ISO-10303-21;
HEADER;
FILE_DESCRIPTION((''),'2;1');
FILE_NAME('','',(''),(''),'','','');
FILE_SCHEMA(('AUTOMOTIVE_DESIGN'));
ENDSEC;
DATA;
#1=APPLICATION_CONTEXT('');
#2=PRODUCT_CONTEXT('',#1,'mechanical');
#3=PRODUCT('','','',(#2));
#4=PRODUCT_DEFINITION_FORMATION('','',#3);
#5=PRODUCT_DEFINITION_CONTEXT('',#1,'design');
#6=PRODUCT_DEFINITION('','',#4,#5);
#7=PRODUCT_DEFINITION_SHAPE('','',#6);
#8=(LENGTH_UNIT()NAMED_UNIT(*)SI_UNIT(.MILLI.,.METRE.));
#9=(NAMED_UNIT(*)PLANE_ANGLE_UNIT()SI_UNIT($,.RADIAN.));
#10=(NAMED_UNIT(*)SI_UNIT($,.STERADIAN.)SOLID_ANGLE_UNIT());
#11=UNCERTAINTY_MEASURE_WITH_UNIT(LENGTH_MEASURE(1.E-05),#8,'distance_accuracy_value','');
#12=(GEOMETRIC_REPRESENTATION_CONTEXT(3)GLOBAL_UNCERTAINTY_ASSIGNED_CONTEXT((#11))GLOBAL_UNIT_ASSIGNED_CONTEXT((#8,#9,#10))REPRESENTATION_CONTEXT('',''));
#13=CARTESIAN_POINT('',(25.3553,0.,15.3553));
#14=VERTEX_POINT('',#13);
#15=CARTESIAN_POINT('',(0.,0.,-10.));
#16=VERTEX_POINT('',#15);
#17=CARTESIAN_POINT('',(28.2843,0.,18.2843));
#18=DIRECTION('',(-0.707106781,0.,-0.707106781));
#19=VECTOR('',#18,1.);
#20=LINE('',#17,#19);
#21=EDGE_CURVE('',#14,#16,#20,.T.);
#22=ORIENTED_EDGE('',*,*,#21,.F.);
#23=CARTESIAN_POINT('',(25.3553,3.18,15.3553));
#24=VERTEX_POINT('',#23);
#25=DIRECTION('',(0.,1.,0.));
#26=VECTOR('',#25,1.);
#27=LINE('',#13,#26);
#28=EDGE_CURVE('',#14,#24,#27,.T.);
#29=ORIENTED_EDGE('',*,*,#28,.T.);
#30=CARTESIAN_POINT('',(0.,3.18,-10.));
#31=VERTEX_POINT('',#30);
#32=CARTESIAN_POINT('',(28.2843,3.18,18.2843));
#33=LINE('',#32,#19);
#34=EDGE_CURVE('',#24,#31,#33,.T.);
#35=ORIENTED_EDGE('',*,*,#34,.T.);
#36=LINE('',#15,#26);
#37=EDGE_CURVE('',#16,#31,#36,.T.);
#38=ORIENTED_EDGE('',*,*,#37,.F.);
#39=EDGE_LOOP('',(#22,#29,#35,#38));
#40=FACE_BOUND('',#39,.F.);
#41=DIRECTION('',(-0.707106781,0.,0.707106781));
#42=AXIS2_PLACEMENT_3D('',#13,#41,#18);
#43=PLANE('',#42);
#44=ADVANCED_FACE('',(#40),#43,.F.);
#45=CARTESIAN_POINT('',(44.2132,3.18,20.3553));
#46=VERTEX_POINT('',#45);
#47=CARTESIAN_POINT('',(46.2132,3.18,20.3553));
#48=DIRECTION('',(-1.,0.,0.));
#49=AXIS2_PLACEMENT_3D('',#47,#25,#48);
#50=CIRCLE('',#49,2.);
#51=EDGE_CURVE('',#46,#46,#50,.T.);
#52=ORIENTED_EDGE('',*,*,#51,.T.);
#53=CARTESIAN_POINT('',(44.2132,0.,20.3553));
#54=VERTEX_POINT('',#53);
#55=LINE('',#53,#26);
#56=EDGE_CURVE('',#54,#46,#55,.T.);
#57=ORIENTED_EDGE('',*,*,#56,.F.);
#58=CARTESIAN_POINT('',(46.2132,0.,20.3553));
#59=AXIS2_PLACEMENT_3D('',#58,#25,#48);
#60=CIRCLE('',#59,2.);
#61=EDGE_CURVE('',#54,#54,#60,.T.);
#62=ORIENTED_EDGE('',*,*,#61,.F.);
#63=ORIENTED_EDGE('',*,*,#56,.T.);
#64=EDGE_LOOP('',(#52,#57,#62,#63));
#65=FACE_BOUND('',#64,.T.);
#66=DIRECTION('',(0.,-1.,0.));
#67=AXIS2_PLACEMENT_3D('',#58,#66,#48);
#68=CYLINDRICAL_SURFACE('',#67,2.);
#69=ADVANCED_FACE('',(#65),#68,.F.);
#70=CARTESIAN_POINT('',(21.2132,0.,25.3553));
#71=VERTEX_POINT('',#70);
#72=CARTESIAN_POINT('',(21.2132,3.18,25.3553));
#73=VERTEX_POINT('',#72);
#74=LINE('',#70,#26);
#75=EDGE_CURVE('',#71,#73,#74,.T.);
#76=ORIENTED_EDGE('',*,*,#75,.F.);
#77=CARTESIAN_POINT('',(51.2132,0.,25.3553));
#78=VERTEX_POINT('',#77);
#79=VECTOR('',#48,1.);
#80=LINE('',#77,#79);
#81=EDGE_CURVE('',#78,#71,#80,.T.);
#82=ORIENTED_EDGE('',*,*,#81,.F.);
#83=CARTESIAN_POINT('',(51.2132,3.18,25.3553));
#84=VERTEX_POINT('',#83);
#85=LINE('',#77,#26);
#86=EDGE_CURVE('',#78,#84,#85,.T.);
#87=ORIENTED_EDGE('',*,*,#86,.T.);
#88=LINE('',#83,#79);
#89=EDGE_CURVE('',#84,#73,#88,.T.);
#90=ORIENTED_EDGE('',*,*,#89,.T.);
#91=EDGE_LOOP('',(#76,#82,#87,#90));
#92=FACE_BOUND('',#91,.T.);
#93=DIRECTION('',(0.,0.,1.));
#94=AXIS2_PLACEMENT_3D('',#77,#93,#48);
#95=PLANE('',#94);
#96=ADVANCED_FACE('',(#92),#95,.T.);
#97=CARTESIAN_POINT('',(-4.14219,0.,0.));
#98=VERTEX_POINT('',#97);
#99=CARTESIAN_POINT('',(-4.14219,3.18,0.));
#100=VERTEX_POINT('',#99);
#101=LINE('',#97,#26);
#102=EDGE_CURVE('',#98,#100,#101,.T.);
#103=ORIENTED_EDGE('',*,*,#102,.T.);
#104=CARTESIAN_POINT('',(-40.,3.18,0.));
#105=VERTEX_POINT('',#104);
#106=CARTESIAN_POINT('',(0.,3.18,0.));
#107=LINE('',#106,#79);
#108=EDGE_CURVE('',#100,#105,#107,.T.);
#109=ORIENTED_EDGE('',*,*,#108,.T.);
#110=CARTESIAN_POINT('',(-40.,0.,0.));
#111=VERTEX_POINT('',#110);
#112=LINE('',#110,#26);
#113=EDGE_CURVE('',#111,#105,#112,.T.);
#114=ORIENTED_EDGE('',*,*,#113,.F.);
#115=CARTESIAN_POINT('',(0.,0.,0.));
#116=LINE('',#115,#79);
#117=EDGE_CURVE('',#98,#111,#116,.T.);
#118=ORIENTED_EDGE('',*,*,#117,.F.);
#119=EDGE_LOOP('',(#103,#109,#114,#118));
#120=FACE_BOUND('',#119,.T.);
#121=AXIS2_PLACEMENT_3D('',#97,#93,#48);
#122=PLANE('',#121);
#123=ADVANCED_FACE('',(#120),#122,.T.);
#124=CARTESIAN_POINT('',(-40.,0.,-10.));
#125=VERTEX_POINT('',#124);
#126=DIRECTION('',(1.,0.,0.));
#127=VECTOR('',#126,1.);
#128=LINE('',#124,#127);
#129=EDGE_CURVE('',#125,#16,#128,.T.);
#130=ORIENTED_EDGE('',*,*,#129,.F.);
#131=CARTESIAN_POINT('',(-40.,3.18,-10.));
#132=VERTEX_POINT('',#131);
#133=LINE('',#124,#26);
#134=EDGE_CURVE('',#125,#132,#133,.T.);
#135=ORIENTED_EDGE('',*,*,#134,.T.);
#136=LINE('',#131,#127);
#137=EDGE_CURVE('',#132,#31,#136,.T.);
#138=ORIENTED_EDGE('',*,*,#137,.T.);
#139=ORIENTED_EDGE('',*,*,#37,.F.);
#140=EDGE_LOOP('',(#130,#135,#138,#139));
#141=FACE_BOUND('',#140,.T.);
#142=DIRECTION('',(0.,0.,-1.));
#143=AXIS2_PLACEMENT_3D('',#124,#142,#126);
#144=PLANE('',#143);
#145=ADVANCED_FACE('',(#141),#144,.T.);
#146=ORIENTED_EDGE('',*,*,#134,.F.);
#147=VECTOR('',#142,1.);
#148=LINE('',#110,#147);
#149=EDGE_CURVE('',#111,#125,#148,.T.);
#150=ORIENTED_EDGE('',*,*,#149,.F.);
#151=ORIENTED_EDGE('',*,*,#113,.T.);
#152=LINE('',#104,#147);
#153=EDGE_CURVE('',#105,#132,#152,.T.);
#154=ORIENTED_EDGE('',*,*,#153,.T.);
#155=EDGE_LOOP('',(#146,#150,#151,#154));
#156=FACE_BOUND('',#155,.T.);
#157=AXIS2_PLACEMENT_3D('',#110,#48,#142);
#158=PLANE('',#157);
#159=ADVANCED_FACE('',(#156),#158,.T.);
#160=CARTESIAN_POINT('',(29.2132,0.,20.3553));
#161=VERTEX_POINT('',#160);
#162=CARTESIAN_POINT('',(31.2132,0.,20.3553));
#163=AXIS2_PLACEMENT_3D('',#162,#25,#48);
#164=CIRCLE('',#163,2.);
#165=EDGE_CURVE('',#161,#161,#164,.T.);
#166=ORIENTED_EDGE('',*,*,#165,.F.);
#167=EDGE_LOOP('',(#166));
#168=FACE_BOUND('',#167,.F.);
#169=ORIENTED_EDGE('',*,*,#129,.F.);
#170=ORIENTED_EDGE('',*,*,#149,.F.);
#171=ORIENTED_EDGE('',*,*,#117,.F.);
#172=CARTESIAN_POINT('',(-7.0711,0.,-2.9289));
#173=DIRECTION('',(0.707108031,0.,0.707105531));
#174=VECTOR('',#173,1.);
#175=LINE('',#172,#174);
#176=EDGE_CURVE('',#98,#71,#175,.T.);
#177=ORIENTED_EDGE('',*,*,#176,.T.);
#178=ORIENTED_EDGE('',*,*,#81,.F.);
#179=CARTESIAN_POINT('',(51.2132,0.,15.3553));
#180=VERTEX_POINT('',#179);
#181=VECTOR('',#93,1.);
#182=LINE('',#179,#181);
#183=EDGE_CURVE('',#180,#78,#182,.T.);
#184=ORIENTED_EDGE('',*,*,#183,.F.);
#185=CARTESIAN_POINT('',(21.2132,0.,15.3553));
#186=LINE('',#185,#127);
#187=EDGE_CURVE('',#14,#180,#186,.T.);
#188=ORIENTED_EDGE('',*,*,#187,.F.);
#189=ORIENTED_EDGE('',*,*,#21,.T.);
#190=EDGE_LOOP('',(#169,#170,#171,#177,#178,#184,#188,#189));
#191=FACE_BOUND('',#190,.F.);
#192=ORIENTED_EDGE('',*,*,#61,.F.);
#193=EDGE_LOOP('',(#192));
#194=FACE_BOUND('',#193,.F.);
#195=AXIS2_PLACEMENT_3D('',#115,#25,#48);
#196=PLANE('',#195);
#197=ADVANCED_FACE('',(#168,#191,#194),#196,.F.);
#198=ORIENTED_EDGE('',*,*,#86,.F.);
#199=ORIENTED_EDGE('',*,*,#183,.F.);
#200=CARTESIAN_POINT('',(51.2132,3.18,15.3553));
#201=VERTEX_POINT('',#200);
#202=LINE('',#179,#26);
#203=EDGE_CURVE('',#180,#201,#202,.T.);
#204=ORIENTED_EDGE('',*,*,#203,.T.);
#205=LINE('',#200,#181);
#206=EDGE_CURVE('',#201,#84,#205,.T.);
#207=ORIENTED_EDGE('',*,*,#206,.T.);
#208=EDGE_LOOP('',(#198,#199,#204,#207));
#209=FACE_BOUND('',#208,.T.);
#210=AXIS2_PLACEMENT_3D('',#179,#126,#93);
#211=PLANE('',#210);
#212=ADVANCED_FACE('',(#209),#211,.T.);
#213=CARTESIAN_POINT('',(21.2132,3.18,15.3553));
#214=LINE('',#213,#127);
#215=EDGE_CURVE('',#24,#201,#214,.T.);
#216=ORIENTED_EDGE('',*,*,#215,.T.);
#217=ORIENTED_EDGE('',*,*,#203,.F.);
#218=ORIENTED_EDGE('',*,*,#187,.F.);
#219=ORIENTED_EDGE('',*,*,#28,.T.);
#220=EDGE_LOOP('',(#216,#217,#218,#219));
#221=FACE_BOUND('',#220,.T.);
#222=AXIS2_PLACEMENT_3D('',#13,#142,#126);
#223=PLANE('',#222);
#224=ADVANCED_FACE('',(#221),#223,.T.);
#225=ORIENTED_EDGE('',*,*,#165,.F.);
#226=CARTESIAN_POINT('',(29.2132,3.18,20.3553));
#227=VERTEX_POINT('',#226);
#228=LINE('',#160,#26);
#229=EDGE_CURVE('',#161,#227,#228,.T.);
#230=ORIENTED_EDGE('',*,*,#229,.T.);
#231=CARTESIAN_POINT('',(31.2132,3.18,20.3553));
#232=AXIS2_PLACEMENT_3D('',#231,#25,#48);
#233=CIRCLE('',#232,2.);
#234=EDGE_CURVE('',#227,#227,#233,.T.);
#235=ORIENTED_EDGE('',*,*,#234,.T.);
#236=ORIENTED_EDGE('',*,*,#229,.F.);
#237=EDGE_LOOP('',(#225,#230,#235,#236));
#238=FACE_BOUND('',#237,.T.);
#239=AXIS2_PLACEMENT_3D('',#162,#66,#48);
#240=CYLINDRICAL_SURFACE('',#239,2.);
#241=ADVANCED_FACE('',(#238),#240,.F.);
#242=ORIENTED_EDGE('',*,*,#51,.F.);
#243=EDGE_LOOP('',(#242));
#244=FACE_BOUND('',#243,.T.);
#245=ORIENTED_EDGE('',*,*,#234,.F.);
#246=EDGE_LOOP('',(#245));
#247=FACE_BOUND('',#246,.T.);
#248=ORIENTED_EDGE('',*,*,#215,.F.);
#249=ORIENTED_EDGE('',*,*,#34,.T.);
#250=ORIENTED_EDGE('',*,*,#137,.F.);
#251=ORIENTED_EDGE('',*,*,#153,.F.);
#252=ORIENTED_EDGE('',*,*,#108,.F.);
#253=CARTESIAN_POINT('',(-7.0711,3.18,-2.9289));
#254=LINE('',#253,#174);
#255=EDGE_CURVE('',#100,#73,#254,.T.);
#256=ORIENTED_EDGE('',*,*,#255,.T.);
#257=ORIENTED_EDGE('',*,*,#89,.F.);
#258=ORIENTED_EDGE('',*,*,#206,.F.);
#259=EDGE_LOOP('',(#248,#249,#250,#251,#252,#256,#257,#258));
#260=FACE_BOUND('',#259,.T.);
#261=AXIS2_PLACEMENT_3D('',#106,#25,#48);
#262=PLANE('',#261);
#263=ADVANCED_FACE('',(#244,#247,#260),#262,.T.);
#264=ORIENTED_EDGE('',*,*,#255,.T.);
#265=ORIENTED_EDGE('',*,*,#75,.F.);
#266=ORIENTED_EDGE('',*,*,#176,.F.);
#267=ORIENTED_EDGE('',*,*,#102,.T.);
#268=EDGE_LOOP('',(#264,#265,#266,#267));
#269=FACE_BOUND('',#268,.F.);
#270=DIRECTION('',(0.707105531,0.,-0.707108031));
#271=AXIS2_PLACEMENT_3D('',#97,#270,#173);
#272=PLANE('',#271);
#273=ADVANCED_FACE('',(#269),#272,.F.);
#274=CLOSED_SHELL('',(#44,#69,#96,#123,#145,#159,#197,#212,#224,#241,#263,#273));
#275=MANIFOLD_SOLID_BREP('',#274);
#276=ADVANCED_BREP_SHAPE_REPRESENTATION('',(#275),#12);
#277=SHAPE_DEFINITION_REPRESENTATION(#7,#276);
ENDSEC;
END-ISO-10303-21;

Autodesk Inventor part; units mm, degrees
ref_plane "YZ Plane" through (0, 0, 0) normal (1, 0, 0) x (0, 1, 0)
ref_plane "XZ Plane" through (0, 0, 0) normal (0, 1, 0) x (-1, 0, 0)
ref_plane "XY Plane" through (0, 0, 0) normal (0, 0, 1) x (1, 0, 0)
sketch "Sketch1" plane through (0, 0, 0) normal (0, 1, 0) x (-1, 0, 0)
  line L0 (0, 0) -> (40, 0)
  line L1 (40, 0) -> (40, -10)
  line L2 (40, -10) -> (0, -10)
  line L3 (0, -10) -> (0, 0)
  line L4 (0, -10) -> (7.0711, -2.9289)
  line L5 (7.0711, -2.9289) -> (-21.2132, 25.3553)
  line L6 (-21.2132, 25.3553) -> (-28.2843, 18.2843)
  line L7 (-28.2843, 18.2843) -> (0, -10)
  line L8 (-21.2132, 25.3553) -> (-21.2132, 15.3553)
  line L9 (-21.2132, 15.3553) -> (-51.2132, 15.3553)
  line L10 (-51.2132, 15.3553) -> (-51.2132, 25.3553)
  line L11 (-51.2132, 25.3553) -> (-21.2132, 25.3553)
  circle A0 centre (-31.2132, 20.3553) radius 2
  circle A1 centre (-46.2132, 20.3553) radius 2
  dimension "d0" = 10
  dimension "d1" = 40
  dimension "d2" = 135
  dimension "d3" = 40
  dimension "d4" = 10
  dimension "d14" = 45
  dimension "d15" = 10
  dimension "d16" = 30
  dimension "d17" = 4
  dimension "d18" = 10
  dimension "d19" = 5
  dimension "d22" = 4
  dimension "d23" = 5
  dimension "d24" = 5
extrude "Extrusion4" add sketch "Sketch1" along normal blind 3.18
properties part number "Pinza_dedo"
